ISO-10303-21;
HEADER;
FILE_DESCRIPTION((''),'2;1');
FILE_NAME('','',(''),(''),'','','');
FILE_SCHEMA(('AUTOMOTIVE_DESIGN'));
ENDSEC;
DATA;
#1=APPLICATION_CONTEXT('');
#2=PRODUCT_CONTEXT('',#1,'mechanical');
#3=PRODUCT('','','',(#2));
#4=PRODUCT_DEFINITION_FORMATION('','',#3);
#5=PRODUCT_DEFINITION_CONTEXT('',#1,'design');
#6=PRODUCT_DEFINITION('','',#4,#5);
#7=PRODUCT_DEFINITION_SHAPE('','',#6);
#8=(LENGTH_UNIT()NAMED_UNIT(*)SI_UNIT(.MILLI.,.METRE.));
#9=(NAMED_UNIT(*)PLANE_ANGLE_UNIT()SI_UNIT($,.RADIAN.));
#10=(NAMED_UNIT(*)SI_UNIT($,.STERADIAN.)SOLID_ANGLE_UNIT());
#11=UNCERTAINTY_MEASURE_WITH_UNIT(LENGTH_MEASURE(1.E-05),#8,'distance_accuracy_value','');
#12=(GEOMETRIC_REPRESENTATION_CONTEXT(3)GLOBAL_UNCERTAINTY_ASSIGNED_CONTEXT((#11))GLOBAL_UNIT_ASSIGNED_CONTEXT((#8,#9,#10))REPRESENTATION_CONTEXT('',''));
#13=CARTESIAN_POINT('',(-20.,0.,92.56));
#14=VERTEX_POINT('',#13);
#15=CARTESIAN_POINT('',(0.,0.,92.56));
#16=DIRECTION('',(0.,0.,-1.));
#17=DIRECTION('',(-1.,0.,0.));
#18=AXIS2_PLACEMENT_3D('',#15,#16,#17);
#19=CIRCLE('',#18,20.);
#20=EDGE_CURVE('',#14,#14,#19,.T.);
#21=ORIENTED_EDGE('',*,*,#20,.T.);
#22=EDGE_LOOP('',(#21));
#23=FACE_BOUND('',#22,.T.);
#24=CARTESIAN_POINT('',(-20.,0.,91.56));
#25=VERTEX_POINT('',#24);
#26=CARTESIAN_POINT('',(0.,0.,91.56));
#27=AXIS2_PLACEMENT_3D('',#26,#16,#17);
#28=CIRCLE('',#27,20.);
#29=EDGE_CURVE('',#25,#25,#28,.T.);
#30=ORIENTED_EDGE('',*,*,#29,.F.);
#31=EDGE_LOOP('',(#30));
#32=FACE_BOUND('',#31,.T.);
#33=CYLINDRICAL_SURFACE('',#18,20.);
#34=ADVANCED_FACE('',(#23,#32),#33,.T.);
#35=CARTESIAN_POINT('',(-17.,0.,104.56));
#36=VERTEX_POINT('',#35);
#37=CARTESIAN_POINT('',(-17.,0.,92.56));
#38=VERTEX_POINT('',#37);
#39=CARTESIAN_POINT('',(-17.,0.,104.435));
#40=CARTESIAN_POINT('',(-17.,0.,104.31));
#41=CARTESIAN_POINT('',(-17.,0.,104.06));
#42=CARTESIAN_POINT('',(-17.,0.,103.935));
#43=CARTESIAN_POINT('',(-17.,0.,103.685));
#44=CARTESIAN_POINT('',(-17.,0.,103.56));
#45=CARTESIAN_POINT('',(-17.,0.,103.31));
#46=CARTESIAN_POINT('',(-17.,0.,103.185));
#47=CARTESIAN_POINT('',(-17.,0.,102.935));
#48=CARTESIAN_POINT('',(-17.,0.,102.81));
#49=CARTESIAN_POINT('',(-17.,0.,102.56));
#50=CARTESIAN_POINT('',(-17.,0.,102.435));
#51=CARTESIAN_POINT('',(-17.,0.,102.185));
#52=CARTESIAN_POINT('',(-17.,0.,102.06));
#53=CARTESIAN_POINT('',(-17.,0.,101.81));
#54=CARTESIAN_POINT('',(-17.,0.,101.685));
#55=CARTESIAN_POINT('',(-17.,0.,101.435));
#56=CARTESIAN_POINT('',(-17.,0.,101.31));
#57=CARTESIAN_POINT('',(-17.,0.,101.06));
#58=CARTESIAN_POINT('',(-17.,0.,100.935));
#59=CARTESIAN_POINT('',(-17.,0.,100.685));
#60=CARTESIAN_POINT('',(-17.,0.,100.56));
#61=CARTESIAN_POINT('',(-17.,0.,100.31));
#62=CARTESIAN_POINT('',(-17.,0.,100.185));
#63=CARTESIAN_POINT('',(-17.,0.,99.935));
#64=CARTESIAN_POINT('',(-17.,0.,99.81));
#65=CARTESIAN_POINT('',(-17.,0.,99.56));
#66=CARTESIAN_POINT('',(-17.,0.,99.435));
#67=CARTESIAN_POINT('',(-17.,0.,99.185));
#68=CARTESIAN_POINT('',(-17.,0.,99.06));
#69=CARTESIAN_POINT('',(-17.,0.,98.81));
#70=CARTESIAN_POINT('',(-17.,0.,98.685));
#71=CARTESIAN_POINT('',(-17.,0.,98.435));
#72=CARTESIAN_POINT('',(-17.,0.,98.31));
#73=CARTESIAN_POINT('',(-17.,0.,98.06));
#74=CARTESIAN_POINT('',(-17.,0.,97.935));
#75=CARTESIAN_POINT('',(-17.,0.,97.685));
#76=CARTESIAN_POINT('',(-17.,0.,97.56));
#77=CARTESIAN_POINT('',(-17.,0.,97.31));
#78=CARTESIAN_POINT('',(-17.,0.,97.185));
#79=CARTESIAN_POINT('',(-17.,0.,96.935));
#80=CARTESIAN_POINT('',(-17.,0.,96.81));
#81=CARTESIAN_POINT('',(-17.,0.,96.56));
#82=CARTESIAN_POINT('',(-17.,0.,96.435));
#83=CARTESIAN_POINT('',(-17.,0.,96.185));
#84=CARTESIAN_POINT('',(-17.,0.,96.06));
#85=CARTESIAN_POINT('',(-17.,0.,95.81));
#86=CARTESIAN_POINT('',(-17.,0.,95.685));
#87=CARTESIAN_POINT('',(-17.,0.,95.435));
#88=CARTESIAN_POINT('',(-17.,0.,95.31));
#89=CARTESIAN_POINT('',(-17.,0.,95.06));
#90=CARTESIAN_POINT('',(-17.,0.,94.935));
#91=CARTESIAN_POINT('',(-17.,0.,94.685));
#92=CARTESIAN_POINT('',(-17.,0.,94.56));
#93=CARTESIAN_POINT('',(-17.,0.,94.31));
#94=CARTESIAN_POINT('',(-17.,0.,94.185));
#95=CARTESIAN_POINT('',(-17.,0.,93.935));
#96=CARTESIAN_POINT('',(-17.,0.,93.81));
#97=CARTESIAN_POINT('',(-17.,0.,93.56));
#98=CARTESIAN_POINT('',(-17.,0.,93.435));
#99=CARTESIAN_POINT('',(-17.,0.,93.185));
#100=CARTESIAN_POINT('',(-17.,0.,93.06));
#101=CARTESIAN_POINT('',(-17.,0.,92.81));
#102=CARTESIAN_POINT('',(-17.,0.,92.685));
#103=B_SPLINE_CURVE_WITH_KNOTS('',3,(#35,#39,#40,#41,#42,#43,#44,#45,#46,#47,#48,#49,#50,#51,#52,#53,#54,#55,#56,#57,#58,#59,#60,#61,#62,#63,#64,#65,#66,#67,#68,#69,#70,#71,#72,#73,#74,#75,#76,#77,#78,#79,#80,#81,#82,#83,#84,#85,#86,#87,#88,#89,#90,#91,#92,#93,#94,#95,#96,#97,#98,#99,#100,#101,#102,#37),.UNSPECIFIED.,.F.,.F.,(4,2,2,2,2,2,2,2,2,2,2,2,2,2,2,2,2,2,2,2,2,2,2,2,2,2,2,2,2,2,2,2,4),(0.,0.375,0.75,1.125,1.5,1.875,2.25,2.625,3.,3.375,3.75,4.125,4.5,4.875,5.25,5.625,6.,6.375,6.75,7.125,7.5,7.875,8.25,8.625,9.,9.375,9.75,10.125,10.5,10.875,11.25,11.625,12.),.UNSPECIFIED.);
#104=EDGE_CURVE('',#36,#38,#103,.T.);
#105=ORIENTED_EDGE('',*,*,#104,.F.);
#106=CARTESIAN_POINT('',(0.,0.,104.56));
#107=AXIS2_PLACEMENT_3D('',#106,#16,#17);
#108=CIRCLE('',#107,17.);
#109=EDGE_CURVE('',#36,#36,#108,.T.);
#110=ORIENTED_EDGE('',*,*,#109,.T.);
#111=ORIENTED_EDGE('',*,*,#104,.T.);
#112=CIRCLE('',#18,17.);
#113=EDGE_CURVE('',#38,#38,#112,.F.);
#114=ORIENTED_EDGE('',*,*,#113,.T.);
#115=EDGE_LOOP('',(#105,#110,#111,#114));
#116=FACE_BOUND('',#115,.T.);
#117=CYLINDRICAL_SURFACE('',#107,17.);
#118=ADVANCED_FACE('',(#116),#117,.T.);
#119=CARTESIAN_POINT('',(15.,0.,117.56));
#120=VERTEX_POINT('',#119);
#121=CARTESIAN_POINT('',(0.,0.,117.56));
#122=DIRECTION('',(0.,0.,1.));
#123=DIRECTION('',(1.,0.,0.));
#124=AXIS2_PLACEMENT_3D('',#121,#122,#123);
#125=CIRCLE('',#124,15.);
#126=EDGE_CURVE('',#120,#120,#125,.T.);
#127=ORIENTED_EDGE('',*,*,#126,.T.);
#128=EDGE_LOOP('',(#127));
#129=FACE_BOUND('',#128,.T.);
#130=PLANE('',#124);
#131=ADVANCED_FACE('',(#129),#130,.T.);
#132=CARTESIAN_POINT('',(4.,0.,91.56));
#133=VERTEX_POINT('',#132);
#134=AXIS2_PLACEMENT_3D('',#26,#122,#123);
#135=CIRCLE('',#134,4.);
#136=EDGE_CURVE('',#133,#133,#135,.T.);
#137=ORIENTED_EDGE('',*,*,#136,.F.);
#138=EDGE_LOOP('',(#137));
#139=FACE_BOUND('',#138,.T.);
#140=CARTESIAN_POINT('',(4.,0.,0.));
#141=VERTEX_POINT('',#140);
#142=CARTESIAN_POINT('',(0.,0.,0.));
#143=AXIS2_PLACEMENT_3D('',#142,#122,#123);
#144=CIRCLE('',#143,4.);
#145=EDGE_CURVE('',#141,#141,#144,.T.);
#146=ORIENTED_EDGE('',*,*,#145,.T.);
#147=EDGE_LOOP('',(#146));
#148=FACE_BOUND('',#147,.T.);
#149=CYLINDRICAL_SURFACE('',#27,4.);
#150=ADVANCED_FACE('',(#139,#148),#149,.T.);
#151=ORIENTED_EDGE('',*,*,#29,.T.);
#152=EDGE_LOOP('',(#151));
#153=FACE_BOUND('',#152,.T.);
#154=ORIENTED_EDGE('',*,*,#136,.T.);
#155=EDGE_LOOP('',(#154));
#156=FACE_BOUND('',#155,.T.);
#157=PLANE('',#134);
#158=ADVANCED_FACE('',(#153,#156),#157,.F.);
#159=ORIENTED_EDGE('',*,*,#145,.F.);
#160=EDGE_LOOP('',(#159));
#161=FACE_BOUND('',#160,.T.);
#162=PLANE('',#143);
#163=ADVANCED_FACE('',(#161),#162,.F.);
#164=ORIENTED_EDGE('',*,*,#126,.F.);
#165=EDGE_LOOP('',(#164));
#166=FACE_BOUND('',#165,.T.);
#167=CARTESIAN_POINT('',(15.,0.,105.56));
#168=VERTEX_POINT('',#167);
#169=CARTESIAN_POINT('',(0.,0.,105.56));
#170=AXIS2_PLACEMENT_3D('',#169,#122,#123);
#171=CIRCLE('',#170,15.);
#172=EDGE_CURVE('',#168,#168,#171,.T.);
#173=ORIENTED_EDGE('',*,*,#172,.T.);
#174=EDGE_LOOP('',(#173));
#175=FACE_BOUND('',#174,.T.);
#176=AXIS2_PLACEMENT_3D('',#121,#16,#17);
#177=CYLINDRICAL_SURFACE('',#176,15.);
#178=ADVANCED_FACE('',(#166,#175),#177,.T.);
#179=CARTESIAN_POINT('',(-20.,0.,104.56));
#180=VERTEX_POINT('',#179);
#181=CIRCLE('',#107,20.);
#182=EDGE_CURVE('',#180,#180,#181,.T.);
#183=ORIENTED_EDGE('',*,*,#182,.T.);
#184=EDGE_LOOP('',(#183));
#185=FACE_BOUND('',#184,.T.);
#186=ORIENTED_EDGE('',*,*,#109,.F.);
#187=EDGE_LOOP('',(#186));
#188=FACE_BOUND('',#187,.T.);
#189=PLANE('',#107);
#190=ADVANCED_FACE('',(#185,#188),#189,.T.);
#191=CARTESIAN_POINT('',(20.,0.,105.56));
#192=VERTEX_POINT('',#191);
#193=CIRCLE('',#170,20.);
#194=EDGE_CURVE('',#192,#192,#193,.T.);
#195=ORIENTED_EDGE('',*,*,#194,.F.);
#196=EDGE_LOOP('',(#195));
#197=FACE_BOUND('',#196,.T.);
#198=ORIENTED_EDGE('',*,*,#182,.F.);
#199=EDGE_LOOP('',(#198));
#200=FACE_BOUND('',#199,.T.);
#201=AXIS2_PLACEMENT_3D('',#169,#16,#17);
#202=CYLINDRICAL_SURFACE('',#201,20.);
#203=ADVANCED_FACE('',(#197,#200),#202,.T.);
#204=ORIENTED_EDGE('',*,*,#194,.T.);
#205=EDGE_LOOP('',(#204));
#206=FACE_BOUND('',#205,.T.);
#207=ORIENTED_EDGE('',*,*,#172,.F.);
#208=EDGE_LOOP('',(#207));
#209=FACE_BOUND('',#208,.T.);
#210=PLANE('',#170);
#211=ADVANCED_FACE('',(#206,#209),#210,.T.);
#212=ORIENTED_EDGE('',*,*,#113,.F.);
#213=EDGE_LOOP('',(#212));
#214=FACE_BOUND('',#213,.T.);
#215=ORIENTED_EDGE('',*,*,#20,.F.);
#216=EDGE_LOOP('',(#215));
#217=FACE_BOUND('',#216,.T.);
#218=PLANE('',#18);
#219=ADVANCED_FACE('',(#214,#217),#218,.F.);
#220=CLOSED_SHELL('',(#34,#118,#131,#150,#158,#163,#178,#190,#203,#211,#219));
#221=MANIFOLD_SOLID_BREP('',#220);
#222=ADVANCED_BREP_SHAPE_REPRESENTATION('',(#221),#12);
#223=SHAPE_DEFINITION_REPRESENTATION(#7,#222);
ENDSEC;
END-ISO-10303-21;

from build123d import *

# Parameters (mm, degrees)
SKETCH_1_R          = 4
EXTRUDE_1_DEPTH     = 91.56
SKETCH_2_R          = 20
EXTRUDE_2_DEPTH     = 14
SKETCH_3_R          = 15
EXTRUDE_3_DEPTH     = 12
SKETCH_4_R          = 20
SKETCH_4_R_2        = 17
CUT_EXTRUDE_1_DEPTH = 13
SKETCH_5_R          = 20
EXTRUDE_4_DEPTH     = 1


with BuildPart() as part:
    # 草图1 → 凸台-拉伸1 (new body)
    with BuildSketch(Plane.XY):
        Circle(SKETCH_1_R)
    extrude(amount=EXTRUDE_1_DEPTH)

    # 草图2 → 凸台-拉伸2 (add)
    with BuildSketch(Plane.XY.offset(91.56)):
        Circle(SKETCH_2_R)
    extrude(amount=EXTRUDE_2_DEPTH)

    # 草图3 → 凸台-拉伸3 (add)
    with BuildSketch(Plane.XY.offset(105.56)):
        Circle(SKETCH_3_R)
    extrude(amount=EXTRUDE_3_DEPTH)

    # 草图4 → 切除-拉伸1 (cut)
    with BuildSketch(Plane(origin=(0, 0, 91.56), x_dir=(-1, 0, 0), z_dir=(0, 0, -1))):
        Circle(SKETCH_4_R)
        Circle(SKETCH_4_R_2, mode=Mode.SUBTRACT)
    extrude(amount=-CUT_EXTRUDE_1_DEPTH, mode=Mode.SUBTRACT)

    # 草图5 → 凸台-拉伸4 (add)
    with BuildSketch(Plane(origin=(0, 0, 91.56), x_dir=(-1, 0, 0), z_dir=(0, 0, -1))):
        Circle(SKETCH_5_R)
    extrude(amount=-EXTRUDE_4_DEPTH)


solid = part.part
